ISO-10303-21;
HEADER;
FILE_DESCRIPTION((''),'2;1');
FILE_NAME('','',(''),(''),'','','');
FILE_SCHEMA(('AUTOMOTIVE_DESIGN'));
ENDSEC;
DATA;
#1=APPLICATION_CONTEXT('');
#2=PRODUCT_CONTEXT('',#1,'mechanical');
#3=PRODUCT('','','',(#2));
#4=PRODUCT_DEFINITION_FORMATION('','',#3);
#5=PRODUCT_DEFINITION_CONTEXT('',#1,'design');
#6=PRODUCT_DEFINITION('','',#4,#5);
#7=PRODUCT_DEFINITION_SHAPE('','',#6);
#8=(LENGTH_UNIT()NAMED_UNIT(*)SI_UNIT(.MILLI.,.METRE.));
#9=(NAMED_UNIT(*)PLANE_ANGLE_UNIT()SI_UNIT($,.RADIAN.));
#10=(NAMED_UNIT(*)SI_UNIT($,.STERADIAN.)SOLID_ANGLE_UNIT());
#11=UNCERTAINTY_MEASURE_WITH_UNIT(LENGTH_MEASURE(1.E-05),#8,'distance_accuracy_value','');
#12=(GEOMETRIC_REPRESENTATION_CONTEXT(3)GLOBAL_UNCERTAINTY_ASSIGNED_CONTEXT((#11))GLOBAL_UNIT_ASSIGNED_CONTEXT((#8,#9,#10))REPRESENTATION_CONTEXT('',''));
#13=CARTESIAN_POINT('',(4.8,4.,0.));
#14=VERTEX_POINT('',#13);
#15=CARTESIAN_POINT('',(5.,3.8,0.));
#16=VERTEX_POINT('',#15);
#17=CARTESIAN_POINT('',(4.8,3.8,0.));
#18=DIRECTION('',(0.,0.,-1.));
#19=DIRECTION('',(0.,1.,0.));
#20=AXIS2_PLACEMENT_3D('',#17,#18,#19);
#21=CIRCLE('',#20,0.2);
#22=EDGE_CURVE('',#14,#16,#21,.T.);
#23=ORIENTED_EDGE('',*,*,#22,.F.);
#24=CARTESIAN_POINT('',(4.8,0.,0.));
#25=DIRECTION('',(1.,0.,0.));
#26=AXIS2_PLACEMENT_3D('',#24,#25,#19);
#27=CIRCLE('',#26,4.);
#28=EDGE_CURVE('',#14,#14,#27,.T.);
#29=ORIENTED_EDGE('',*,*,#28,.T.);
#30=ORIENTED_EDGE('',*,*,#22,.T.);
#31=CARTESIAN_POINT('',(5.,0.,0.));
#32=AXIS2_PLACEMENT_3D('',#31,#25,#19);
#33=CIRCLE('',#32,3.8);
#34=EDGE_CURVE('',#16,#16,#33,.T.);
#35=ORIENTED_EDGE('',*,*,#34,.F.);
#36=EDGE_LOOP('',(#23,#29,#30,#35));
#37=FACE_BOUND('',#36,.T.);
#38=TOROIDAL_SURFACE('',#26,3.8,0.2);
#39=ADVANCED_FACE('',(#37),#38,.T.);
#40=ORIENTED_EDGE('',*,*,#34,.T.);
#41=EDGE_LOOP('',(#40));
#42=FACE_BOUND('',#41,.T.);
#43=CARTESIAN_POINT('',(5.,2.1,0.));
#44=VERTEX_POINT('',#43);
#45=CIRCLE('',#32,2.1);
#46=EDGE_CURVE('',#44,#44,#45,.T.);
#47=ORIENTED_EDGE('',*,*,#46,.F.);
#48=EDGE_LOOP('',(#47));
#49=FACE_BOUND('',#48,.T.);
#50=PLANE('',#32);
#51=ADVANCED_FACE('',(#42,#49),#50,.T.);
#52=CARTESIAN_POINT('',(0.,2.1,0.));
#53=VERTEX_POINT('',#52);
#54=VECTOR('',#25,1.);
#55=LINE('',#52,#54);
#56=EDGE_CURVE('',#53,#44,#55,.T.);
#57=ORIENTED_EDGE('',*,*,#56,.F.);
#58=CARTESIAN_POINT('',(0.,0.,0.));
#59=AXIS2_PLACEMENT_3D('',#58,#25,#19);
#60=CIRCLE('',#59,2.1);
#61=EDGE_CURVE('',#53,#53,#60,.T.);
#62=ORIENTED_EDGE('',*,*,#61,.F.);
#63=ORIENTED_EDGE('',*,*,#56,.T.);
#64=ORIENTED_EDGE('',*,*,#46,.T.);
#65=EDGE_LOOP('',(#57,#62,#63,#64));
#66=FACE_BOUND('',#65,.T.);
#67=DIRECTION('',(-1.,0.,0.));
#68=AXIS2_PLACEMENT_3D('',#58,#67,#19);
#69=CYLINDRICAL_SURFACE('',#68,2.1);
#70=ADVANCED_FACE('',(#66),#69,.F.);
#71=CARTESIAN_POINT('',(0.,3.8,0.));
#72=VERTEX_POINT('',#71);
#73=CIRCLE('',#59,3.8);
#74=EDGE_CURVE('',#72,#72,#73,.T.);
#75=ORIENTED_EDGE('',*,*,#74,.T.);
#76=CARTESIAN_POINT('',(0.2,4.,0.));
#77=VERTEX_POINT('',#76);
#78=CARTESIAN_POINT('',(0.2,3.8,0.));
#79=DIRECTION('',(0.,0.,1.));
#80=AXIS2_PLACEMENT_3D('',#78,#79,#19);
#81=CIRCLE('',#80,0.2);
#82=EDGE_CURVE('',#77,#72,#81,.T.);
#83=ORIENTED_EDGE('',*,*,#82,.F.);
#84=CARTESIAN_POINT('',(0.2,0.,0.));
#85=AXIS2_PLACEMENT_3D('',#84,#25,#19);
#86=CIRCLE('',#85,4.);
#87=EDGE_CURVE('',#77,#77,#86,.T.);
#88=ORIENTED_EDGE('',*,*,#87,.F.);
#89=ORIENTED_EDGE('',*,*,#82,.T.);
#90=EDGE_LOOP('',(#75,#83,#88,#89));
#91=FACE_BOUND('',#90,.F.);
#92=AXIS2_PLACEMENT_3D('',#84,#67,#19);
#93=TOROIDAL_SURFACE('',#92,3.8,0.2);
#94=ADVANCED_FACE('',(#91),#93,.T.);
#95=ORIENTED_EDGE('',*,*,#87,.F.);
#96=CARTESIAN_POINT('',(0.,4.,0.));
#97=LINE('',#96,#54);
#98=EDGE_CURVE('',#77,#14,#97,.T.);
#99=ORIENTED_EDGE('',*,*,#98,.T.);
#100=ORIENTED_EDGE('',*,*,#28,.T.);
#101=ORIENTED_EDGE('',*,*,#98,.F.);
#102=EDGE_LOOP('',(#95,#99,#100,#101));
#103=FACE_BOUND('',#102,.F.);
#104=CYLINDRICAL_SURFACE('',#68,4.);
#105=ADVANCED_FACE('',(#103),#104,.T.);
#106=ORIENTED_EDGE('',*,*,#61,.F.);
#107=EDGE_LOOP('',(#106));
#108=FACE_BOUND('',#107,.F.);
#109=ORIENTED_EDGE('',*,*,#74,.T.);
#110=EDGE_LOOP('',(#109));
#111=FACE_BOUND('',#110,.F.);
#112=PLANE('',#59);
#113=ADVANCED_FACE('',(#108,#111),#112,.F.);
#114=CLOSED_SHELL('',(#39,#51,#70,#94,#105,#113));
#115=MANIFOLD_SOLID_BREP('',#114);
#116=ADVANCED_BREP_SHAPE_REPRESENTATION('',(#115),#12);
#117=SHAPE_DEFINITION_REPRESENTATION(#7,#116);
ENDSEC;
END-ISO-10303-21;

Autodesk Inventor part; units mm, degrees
ref_plane "YZ Plane" through (0, 0, 0) normal (1, 0, 0) x (0, 1, 0)
ref_plane "XZ Plane" through (0, 0, 0) normal (0, 1, 0) x (-1, 0, 0)
ref_plane "XY Plane" through (0, 0, 0) normal (0, 0, 1) x (1, 0, 0)
sketch "Sketch1" plane through (0, 0, 0) normal (1, 0, 0) x (0, 1, 0)
  circle A0 centre (0, 0) radius 4
  circle A1 centre (0, 0) radius 2.1
  dimension "d0" = 8
  dimension "d1" = 4.2
extrude "Extrusion1" add sketch "Sketch1" along normal blind 5
fillet "Fillet1" radius 0.2 2 edges at (0, -4, 0) (5, -4, 0)
ref_plane "Work Plane1" through (2.5, 0, 0) normal (-1, 0, 0) x (0, 0, 1)
properties part number "Component 14 (Spacer Sleeve)"
